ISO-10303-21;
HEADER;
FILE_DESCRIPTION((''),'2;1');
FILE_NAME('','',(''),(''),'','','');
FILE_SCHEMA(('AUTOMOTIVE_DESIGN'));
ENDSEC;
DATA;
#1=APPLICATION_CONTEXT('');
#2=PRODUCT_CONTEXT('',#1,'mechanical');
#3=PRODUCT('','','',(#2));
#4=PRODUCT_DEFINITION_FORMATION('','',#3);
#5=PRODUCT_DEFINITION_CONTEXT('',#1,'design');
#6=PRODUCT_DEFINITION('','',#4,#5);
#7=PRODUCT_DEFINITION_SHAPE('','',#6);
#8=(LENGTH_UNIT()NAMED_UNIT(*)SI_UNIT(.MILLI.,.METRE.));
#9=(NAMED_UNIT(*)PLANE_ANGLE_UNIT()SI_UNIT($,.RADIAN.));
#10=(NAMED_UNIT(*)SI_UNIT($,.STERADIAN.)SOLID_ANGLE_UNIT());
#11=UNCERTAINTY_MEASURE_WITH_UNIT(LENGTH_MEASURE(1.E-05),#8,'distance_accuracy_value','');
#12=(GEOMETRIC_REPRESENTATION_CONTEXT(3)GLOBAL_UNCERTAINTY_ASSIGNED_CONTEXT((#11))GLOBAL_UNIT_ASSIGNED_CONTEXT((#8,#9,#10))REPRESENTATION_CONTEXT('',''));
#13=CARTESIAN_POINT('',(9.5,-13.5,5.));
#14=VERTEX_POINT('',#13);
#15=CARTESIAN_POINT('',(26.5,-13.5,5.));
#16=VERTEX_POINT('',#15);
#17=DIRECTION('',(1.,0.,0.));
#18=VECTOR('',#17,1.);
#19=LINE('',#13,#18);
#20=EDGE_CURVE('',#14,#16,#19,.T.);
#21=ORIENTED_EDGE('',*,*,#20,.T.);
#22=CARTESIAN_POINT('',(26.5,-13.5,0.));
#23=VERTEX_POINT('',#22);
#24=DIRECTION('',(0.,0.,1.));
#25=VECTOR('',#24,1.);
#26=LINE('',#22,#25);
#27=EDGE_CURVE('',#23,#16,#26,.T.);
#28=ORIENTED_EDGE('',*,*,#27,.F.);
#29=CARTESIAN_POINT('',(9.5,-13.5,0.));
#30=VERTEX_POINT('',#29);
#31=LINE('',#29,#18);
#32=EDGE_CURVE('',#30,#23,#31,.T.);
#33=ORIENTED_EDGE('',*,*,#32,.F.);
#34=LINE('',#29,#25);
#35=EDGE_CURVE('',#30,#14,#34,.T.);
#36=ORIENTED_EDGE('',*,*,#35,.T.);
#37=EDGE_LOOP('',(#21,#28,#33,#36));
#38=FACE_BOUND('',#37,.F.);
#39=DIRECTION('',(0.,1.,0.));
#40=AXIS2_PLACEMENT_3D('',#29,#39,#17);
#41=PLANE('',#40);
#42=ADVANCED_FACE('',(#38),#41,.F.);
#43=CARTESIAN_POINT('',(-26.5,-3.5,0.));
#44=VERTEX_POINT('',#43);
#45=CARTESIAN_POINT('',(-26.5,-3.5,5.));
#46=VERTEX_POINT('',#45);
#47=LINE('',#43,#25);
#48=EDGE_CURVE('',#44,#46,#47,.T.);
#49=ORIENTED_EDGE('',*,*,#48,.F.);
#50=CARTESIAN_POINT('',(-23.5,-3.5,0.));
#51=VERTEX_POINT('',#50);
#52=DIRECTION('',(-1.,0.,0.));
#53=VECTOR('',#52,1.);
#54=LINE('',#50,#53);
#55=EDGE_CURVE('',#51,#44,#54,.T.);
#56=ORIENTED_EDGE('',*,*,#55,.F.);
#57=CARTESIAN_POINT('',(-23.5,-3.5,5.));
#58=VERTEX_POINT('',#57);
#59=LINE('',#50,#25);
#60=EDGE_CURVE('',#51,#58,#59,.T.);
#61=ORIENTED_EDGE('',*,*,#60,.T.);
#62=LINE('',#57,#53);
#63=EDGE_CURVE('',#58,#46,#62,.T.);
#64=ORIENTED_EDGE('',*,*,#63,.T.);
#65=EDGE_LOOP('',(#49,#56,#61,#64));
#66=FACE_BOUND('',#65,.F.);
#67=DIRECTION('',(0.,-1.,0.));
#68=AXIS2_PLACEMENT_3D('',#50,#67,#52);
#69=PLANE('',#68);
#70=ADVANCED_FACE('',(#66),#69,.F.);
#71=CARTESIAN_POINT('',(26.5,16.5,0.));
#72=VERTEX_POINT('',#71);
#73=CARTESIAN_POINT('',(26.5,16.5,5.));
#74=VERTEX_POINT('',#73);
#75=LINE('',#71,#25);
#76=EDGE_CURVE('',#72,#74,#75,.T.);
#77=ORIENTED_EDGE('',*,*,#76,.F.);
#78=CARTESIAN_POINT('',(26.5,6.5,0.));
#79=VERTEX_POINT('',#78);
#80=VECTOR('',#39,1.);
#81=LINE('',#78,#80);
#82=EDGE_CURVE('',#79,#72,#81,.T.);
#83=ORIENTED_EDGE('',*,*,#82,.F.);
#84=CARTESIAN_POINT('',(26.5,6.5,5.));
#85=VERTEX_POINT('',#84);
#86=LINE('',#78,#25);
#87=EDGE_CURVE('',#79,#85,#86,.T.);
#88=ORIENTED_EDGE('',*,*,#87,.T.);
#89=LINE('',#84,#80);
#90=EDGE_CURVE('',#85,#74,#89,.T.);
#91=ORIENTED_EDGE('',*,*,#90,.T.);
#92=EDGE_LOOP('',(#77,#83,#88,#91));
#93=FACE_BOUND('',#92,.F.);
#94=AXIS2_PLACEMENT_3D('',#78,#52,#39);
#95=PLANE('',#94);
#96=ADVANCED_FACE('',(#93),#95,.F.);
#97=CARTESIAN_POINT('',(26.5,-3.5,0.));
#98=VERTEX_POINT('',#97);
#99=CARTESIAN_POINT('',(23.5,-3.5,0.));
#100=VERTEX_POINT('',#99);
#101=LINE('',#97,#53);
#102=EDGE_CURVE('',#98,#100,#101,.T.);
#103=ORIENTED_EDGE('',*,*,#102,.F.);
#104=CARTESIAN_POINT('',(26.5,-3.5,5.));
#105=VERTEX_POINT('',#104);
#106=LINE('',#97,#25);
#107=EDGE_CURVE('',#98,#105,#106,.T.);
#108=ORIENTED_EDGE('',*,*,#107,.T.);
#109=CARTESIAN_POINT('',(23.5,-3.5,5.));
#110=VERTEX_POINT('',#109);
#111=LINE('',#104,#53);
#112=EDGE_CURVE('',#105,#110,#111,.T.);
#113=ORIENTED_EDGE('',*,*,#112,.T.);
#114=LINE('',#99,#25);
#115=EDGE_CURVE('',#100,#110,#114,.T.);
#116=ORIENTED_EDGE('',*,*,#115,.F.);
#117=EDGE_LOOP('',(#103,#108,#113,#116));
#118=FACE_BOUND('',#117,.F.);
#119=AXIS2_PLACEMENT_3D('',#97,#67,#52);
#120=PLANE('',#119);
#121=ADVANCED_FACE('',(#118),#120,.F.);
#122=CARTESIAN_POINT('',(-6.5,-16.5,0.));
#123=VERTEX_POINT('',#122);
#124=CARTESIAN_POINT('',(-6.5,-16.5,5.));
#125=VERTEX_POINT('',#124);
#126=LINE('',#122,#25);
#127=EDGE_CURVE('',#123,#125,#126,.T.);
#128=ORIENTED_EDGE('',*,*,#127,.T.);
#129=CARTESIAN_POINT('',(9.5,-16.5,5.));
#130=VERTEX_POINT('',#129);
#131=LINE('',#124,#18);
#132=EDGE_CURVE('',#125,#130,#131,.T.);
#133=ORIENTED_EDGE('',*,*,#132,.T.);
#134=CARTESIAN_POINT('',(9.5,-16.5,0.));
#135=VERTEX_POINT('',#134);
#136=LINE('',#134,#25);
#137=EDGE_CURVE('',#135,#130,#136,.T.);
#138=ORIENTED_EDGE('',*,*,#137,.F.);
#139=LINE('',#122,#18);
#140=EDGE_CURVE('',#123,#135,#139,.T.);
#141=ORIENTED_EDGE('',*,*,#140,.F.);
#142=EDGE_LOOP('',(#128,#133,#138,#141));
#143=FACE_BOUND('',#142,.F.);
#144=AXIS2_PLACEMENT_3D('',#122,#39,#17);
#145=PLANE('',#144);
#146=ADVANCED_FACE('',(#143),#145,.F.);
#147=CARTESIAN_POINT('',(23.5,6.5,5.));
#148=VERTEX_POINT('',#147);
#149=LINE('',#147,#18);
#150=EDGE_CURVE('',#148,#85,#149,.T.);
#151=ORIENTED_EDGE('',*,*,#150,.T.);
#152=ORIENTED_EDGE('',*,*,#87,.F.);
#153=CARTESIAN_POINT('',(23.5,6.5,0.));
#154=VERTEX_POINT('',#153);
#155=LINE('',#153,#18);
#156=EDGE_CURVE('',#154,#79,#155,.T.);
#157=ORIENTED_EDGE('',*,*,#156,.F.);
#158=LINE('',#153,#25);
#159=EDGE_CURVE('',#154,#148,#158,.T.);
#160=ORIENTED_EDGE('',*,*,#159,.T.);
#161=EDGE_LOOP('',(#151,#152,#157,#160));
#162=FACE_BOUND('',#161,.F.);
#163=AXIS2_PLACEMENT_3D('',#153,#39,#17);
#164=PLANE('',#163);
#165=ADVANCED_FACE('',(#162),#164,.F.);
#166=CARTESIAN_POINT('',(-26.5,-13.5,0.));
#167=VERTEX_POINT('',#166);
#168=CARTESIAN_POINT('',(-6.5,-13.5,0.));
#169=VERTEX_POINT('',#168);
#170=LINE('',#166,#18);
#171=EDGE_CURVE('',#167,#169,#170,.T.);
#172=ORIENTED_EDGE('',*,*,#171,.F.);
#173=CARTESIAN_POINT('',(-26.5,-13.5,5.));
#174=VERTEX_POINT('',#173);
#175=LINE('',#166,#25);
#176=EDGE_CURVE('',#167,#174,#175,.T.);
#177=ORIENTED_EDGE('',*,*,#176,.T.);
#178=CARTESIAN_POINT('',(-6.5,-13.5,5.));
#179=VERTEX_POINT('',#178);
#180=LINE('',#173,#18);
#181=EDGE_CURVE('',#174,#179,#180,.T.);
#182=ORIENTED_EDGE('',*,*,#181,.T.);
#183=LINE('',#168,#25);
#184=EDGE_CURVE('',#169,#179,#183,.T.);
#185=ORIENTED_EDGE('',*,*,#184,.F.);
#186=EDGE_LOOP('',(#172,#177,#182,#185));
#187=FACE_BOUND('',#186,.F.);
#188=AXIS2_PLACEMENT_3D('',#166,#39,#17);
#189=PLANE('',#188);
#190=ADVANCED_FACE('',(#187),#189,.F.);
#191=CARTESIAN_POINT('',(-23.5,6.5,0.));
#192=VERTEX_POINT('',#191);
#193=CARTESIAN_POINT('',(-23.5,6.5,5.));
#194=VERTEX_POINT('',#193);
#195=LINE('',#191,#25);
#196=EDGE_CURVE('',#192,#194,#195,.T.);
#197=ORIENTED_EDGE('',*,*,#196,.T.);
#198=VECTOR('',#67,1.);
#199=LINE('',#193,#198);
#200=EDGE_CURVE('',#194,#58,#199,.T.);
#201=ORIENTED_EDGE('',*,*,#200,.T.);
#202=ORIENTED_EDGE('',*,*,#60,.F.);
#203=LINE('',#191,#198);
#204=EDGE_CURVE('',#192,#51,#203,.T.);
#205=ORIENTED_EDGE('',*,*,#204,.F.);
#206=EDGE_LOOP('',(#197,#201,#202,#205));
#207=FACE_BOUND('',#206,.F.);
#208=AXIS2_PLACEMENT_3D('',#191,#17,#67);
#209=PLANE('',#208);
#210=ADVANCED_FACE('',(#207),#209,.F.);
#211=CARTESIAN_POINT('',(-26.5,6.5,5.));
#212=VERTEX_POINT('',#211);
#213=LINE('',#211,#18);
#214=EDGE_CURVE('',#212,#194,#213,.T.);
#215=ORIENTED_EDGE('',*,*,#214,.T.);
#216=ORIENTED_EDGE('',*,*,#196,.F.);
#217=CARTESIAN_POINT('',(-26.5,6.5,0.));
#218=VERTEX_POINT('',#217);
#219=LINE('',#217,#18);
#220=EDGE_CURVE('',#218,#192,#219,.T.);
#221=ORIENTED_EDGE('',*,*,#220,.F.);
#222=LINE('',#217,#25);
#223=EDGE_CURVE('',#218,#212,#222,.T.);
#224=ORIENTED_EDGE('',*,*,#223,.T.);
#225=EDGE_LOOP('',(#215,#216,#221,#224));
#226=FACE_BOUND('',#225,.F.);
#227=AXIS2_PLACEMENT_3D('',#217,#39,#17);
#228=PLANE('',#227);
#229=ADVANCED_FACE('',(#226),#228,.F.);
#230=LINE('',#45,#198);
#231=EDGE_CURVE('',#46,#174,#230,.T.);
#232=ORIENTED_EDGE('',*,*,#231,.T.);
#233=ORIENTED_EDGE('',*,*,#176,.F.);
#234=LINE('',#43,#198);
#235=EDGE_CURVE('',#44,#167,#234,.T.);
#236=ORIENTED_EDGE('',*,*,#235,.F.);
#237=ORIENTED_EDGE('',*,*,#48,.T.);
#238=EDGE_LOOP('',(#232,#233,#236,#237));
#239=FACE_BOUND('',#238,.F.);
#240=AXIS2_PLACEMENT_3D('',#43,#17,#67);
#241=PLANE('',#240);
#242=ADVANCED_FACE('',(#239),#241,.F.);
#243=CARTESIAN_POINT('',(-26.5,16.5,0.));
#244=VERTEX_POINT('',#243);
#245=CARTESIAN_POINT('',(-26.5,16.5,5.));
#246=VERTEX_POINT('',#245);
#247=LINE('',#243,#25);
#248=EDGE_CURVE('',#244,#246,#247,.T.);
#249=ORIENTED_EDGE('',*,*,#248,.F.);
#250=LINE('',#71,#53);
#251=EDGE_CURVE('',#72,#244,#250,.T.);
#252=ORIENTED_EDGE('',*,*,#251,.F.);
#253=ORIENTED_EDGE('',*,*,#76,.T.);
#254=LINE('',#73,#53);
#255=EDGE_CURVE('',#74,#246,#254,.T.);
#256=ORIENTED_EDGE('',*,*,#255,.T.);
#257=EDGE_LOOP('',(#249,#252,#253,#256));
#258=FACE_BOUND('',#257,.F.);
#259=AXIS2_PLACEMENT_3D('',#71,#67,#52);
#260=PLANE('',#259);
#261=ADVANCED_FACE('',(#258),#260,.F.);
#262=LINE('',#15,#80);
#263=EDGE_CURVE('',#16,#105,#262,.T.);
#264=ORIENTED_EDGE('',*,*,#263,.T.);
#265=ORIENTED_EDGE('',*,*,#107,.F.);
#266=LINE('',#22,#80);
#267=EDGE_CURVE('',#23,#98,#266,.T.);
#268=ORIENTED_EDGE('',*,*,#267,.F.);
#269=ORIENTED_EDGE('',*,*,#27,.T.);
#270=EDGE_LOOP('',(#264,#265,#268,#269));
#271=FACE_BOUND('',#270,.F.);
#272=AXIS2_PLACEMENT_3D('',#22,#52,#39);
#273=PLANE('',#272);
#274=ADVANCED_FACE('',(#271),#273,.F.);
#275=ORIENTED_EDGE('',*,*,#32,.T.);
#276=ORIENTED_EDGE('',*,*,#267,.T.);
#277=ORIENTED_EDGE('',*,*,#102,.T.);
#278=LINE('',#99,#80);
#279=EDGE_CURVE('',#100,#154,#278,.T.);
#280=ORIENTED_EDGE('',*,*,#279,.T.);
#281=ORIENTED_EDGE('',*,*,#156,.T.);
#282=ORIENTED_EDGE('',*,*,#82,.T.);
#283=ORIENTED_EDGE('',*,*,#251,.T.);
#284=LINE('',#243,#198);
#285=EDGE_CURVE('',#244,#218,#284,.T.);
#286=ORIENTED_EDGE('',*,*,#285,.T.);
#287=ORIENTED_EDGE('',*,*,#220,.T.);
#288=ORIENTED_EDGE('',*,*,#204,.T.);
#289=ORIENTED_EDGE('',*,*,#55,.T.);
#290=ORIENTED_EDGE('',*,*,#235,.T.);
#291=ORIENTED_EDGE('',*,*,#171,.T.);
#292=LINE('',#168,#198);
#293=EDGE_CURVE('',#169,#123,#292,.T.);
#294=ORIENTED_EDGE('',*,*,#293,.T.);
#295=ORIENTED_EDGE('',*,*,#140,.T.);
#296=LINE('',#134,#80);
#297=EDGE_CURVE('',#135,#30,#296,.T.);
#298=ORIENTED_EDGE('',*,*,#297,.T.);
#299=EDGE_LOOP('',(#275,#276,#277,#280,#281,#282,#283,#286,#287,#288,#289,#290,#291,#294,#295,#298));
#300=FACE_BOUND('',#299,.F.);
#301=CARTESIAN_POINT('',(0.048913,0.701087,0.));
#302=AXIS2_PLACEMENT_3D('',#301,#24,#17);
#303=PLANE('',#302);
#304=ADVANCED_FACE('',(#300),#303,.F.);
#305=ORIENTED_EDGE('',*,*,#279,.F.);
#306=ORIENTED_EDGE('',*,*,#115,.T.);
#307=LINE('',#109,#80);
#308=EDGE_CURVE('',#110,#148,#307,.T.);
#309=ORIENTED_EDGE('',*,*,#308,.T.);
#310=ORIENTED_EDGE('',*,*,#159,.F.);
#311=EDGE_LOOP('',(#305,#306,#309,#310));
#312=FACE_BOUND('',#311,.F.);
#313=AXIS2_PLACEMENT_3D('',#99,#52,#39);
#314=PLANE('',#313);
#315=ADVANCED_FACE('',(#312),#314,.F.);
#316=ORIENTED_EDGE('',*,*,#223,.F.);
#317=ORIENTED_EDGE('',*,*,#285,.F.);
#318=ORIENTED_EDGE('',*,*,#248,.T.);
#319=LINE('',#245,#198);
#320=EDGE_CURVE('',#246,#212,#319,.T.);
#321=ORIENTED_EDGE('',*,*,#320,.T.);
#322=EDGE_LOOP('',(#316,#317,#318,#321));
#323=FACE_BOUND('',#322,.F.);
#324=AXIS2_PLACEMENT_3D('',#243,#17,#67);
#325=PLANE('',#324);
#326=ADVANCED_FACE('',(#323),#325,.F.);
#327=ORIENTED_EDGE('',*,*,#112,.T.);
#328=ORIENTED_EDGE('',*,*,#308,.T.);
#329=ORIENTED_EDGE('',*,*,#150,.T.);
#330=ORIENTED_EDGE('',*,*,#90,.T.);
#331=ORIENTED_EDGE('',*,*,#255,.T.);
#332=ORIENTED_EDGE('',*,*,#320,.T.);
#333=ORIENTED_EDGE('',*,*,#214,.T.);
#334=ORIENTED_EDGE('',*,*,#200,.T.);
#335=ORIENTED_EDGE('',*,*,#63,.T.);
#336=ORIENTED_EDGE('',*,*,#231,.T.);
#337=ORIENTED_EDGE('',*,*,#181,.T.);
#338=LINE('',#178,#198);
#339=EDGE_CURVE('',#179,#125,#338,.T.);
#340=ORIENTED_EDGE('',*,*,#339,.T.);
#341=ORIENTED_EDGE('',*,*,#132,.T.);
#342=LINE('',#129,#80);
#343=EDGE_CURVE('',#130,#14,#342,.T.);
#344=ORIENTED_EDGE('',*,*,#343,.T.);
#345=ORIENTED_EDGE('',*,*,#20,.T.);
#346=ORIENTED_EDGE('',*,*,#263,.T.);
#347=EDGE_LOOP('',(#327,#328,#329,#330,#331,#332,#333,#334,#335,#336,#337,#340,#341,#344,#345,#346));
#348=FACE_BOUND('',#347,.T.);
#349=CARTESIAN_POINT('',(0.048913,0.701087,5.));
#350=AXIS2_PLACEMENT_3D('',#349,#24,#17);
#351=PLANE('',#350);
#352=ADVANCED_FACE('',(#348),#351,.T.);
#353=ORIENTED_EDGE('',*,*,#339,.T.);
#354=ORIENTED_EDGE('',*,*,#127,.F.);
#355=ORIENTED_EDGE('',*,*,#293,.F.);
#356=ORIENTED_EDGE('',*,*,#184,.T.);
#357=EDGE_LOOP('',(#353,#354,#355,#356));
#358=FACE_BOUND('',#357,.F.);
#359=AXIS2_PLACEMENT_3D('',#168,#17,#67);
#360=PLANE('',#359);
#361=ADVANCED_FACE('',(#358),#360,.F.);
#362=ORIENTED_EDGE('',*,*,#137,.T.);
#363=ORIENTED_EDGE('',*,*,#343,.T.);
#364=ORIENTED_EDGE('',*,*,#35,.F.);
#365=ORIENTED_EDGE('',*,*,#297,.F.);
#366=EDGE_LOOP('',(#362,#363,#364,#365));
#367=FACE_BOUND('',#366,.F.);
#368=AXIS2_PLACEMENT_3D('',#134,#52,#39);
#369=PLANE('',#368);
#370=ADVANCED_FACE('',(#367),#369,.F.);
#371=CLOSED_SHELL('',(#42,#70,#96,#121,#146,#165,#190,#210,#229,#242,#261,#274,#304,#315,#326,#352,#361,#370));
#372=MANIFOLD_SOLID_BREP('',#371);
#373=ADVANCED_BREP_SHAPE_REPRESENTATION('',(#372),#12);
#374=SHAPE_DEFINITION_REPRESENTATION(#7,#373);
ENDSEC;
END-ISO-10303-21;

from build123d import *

# Parameters (mm, degrees)
F1_DEPTH = 5


with BuildPart() as f1:
    # F0 (on Top) → F1 (new body)
    with BuildSketch(Plane.XY):
        Polygon((26.5, 16.5), (-26.5, 16.5), (-26.5, 6.5), (-23.5, 6.5), (-23.5, -3.5), (-26.5, -3.5), (-26.5, -13.5), (-23.5, -13.5), (-9.5, -13.5), (-6.5, -13.5), (-6.5, -16.5), (9.5, -16.5), (9.5, -13.5), (26.5, -13.5), (26.5, -3.5), (23.5, -3.5), (23.5, 6.5), (26.5, 6.5), align=None)
    extrude(amount=F1_DEPTH)


solid = f1.part
